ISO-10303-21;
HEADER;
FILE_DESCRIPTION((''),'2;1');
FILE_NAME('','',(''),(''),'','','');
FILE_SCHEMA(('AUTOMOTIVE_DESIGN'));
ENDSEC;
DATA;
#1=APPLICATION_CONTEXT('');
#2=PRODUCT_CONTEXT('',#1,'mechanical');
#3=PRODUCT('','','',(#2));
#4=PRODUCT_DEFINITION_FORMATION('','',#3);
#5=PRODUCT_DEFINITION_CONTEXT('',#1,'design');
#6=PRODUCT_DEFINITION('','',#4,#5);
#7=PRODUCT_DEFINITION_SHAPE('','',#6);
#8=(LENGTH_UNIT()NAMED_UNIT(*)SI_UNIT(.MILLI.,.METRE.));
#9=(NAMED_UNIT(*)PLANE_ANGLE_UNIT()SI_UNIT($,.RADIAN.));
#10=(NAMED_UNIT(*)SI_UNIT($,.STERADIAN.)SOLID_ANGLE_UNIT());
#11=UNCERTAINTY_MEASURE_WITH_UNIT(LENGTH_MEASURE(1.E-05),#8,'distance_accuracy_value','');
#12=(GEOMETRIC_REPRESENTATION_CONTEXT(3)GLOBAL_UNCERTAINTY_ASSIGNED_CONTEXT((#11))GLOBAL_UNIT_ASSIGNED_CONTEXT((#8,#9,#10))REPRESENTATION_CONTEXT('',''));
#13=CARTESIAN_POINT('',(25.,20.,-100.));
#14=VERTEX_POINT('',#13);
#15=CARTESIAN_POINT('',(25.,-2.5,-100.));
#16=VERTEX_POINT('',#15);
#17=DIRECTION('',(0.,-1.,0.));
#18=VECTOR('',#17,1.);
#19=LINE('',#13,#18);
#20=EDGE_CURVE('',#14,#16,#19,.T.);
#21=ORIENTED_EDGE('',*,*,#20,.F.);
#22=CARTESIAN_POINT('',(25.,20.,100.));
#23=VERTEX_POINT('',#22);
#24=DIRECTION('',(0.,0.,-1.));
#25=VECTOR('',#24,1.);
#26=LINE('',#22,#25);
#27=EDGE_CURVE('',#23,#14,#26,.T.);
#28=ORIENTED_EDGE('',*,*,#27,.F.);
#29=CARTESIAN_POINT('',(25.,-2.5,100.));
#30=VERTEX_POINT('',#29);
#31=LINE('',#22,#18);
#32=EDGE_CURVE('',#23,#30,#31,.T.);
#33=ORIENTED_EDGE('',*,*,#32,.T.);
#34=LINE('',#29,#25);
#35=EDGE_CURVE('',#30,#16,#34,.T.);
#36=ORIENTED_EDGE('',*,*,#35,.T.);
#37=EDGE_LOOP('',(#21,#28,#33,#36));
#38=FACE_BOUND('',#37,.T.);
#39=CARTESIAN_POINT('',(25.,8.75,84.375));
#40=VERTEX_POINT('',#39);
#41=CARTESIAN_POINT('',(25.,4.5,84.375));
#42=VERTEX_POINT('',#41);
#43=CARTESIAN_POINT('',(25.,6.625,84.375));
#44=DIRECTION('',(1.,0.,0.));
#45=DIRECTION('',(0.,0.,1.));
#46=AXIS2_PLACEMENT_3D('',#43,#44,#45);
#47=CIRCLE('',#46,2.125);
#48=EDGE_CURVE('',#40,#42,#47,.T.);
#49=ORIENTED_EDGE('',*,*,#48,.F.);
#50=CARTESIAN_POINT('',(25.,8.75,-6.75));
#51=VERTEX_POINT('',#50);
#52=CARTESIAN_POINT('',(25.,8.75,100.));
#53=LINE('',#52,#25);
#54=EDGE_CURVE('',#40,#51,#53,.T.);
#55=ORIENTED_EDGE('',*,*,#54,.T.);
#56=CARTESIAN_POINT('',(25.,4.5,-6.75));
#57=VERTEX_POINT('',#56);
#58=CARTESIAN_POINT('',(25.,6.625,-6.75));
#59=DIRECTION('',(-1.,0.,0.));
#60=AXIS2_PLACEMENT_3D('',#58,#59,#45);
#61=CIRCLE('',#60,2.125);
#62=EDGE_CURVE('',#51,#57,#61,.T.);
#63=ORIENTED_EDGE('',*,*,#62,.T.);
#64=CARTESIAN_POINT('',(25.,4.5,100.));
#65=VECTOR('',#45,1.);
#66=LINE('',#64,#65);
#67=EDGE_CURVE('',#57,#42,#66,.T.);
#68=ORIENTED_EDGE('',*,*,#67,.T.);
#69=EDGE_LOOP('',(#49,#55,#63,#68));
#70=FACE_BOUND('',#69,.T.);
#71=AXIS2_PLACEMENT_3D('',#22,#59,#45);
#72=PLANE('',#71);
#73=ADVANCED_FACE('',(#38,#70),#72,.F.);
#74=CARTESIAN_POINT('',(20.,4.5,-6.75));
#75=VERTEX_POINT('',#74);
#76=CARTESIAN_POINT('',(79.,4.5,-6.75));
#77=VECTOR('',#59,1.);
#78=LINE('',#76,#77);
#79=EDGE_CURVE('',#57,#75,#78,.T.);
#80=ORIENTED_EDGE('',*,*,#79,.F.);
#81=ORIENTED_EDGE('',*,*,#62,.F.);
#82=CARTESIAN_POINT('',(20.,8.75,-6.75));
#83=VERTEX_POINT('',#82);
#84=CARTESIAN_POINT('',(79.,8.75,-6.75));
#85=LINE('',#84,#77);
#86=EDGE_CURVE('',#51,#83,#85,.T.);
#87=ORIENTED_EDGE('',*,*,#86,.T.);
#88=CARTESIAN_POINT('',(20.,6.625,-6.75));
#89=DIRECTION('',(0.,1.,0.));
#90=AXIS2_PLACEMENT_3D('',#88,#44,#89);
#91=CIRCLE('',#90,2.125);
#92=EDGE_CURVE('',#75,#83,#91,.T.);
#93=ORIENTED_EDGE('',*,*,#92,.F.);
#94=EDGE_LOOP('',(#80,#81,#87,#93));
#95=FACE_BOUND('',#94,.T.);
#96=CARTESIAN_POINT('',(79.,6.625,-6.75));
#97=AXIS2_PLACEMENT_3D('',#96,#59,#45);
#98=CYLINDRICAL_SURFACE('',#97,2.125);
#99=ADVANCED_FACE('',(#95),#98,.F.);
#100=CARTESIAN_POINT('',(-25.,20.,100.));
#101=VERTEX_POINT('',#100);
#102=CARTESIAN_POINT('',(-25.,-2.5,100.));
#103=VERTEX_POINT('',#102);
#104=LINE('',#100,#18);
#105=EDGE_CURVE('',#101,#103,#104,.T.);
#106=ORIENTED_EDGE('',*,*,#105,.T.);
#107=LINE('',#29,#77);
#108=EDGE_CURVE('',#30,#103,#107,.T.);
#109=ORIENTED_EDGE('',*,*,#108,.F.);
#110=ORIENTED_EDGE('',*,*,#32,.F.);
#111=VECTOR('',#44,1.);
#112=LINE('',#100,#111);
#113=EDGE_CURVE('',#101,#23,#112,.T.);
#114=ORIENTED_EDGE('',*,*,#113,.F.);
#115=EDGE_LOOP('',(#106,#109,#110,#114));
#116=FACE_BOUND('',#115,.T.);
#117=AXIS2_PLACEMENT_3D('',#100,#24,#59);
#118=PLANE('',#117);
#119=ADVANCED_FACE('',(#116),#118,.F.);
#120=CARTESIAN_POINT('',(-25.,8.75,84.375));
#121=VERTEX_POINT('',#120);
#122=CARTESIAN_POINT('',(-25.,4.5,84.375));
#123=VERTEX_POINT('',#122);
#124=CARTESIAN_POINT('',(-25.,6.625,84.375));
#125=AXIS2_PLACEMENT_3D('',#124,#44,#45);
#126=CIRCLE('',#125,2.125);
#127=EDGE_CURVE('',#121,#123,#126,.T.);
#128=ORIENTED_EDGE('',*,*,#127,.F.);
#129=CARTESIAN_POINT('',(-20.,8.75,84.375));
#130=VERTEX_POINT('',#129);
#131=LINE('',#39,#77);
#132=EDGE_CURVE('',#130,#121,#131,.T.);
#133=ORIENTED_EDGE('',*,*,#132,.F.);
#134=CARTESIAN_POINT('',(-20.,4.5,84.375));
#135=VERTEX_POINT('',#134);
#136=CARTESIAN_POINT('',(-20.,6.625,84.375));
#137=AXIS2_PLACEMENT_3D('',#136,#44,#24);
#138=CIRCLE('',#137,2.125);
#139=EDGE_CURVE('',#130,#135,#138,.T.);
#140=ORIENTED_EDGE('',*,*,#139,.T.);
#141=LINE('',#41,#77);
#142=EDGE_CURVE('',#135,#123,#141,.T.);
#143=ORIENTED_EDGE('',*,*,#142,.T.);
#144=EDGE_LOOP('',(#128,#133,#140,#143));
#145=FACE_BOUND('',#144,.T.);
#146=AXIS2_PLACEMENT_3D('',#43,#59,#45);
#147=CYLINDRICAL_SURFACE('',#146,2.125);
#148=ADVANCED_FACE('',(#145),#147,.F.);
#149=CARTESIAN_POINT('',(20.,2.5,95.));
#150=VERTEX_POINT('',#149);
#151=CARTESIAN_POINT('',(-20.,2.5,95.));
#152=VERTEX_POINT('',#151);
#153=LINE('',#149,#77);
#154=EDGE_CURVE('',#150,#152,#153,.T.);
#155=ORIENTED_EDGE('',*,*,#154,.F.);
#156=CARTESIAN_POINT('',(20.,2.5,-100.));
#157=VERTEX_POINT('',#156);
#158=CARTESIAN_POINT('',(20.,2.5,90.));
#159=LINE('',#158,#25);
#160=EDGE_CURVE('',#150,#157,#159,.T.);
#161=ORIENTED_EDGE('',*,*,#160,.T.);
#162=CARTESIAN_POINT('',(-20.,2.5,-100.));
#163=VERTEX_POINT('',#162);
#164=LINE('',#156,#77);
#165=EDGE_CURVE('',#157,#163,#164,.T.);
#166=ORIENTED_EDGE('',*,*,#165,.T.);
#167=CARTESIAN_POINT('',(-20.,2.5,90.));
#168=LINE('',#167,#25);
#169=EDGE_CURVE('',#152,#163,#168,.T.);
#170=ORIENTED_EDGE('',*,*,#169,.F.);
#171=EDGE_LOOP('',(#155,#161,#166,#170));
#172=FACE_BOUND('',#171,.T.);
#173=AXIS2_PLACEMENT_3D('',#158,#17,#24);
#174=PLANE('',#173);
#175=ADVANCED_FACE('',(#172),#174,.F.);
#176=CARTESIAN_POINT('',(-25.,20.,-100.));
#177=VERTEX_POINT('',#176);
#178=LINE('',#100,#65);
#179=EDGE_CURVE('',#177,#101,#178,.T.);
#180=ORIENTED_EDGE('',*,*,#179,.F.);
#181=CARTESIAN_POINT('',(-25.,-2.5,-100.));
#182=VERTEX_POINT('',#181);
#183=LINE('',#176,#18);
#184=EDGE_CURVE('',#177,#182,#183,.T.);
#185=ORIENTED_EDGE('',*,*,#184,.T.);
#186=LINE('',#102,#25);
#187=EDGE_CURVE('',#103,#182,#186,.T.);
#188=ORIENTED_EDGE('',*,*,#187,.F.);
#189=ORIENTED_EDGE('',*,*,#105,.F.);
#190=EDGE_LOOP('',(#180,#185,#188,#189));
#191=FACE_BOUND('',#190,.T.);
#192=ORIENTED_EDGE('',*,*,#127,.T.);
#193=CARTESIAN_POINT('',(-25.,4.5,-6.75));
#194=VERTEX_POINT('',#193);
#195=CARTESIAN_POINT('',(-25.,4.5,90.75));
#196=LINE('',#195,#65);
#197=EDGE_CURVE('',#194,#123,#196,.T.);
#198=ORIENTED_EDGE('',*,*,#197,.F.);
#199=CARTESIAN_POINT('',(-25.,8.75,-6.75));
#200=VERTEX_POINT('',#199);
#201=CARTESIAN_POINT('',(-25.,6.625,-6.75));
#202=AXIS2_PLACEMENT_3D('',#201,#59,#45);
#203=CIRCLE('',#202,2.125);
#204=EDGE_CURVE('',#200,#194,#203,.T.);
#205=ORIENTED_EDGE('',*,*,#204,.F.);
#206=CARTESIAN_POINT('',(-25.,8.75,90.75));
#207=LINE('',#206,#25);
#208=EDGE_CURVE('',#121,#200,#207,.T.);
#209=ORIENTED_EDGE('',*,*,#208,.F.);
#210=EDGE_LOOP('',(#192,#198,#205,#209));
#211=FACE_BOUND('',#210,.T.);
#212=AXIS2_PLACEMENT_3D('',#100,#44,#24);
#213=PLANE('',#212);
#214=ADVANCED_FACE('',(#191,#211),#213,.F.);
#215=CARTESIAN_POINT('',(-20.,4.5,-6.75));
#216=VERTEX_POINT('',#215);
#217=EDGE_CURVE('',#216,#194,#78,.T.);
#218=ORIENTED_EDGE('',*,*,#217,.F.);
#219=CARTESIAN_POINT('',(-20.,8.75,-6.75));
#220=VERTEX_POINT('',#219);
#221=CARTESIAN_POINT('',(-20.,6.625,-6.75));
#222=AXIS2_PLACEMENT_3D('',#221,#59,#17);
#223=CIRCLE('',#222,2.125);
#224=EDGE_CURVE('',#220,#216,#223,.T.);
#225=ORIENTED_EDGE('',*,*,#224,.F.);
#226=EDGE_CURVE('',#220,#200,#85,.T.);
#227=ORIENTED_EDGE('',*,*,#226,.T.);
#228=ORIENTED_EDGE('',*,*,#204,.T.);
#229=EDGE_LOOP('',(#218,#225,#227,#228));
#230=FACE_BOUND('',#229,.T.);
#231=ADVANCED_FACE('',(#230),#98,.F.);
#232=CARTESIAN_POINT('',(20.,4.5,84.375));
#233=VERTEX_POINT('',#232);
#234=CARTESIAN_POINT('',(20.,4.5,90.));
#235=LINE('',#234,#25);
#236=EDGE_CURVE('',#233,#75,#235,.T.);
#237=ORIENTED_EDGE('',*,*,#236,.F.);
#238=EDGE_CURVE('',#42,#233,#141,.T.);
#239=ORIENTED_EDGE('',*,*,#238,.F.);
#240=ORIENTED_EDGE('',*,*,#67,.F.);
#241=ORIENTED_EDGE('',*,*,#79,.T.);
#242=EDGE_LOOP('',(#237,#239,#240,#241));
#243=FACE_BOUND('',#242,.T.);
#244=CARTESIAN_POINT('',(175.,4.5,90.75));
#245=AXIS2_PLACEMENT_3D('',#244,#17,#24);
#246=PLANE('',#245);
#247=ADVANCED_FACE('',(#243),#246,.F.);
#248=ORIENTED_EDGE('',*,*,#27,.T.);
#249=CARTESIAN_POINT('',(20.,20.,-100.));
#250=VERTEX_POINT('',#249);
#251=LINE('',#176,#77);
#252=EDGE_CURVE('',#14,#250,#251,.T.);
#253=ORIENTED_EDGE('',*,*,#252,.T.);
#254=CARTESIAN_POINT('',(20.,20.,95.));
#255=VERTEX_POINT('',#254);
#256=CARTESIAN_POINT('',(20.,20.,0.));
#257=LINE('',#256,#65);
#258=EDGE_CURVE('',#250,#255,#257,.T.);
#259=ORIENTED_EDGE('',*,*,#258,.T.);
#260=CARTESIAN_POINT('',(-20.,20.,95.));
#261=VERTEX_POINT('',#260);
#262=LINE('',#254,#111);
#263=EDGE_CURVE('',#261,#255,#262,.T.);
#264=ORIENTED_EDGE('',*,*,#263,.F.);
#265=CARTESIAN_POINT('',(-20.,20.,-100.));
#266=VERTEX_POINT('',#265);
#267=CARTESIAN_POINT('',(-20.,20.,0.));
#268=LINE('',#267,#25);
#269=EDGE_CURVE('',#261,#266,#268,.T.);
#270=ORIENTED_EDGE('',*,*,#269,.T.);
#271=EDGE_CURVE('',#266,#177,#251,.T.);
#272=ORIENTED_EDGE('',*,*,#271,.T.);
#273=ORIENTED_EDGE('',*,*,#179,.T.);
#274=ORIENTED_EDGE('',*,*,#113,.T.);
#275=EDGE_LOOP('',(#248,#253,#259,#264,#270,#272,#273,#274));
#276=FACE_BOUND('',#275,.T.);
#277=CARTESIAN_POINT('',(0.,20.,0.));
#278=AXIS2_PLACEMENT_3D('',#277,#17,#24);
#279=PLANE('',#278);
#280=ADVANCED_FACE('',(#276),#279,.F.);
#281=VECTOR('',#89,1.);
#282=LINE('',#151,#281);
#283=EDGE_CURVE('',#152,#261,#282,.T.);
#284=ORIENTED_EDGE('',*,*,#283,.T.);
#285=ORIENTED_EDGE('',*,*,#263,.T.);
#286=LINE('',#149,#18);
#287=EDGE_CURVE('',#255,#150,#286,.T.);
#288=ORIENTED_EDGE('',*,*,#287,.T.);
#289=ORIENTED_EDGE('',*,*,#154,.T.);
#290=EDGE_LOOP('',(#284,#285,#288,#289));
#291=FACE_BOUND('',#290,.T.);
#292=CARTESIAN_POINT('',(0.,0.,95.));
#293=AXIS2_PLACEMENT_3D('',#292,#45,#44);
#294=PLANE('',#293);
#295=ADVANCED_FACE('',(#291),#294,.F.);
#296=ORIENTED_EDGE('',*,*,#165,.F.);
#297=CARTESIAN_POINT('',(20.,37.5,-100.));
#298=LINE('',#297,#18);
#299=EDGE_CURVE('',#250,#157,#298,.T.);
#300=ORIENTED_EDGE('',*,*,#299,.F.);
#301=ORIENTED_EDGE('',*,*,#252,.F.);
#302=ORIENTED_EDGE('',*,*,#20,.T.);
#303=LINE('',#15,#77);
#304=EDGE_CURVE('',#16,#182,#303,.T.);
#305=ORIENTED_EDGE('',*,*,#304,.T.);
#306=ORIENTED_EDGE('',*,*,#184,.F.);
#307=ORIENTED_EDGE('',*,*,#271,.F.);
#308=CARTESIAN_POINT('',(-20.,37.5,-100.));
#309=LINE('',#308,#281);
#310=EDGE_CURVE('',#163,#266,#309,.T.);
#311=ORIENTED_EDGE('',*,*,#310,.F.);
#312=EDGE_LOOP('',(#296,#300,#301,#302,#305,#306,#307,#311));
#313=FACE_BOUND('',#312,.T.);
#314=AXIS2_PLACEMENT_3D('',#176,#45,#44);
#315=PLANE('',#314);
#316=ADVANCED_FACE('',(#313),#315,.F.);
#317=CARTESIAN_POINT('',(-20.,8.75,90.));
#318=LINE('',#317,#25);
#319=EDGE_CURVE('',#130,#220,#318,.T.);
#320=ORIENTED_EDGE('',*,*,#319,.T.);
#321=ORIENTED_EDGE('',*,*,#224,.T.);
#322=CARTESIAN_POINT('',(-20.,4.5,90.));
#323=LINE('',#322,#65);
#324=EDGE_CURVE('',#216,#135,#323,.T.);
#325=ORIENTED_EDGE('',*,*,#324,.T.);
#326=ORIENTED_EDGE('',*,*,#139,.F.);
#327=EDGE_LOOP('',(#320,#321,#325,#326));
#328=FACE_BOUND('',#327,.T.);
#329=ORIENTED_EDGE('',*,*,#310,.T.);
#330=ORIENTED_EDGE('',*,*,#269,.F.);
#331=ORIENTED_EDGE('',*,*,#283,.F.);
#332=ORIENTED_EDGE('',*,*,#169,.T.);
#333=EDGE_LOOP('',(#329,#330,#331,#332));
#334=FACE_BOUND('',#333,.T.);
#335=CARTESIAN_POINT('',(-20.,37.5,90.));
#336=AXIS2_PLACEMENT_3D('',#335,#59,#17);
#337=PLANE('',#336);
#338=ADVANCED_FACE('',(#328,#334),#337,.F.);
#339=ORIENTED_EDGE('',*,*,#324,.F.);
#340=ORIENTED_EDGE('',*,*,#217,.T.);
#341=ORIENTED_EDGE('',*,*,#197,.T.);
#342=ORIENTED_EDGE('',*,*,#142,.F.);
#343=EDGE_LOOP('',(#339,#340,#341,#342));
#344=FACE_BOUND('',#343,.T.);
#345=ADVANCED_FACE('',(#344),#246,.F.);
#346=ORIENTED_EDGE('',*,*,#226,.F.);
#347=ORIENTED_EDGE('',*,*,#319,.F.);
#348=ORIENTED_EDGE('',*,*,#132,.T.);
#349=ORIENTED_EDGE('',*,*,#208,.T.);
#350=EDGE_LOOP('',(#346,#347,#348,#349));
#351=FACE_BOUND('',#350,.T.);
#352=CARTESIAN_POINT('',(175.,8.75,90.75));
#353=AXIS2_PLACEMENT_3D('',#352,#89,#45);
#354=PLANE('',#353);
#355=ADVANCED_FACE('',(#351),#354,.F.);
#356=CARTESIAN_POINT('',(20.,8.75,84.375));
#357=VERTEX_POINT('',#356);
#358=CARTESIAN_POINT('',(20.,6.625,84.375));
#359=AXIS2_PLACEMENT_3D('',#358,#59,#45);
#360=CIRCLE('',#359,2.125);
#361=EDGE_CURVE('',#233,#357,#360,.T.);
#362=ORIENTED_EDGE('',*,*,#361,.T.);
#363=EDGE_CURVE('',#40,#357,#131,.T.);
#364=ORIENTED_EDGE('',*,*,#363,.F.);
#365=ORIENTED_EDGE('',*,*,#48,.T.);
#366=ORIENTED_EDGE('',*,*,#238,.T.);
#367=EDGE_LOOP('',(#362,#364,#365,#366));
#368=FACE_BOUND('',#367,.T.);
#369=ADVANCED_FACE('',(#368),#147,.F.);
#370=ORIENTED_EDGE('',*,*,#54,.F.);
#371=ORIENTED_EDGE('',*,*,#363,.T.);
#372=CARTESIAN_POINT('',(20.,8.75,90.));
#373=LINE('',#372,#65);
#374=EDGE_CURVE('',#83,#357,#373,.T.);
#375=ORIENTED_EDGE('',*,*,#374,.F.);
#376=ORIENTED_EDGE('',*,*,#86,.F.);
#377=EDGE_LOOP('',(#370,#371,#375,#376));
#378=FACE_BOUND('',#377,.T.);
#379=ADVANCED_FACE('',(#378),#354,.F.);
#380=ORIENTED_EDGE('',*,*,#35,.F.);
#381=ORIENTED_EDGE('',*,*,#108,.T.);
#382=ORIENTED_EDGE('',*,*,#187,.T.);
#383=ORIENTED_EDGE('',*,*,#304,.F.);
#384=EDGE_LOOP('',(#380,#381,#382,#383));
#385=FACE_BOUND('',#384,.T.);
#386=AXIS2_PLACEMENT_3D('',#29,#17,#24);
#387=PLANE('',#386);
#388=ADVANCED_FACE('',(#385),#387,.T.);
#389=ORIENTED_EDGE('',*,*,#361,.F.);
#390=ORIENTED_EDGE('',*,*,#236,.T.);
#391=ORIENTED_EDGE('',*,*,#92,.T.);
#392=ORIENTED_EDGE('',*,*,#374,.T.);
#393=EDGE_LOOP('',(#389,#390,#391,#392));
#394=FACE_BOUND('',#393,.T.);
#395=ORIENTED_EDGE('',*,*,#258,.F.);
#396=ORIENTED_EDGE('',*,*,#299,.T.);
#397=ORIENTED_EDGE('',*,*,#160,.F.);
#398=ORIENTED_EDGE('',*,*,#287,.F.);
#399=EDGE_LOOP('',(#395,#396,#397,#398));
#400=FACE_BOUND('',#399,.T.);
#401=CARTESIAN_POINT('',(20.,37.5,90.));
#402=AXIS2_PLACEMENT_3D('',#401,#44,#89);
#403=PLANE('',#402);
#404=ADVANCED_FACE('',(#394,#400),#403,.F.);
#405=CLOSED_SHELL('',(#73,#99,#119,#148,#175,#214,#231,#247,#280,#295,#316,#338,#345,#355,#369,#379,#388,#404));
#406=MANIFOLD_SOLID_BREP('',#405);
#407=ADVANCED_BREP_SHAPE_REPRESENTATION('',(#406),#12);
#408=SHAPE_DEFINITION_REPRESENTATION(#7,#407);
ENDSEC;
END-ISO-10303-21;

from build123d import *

# Parameters (mm, degrees)
SKETCH1_W           = 50
SKETCH1_H           = 200
BOSS_EXTRUDE1_DEPTH = 20
SKETCH2_W           = 40
SKETCH2_H           = 35
CUT_EXTRUDE1_DEPTH  = 190
SKETCH3_W           = 40
SKETCH3_H           = 17.5
CUT_EXTRUDE2_DEPTH  = 5
SKETCH4_W           = 50
SKETCH4_H           = 2.5
BOSS_EXTRUDE2_DEPTH = 200
CUT_EXTRUDE4_DEPTH  = 200
BOSS_EXTRUDE3_DEPTH = 50
SKETCH15_W          = 40
SKETCH15_H          = 4.25
CUT_EXTRUDE5_DEPTH  = 104
CUT_EXTRUDE6_DEPTH  = 104
BOSS_EXTRUDE4_DEPTH = 50
SKETCH19_W          = 40
SKETCH19_H          = 4.25
CUT_EXTRUDE7_DEPTH  = 50


with BuildPart() as part:
    # Sketch1 → Boss-Extrude1 (new body)
    with BuildSketch(Plane(origin=(0, 0, 0), x_dir=(1, 0, 0), z_dir=(0, 1, 0))):
        Rectangle(SKETCH1_W, SKETCH1_H)
    extrude(amount=BOSS_EXTRUDE1_DEPTH)

    # Sketch2 → Cut-Extrude1 (cut)
    with BuildSketch(Plane(origin=(0, 0, -100), x_dir=(-1, 0, 0), z_dir=(0, 0, -1))):
        with Locations((0, 20)):
            Rectangle(SKETCH2_W, SKETCH2_H)
    extrude(amount=-CUT_EXTRUDE1_DEPTH, mode=Mode.SUBTRACT)

    # Sketch3 → Cut-Extrude2 (cut)
    with BuildSketch(Plane(origin=(0, 0, 90), x_dir=(-1, 0, 0), z_dir=(0, 0, -1))):
        with Locations((0, 11.25)):
            Rectangle(SKETCH3_W, SKETCH3_H)
    extrude(amount=-CUT_EXTRUDE2_DEPTH, mode=Mode.SUBTRACT)

    # Sketch4 → Boss-Extrude2 (add)
    with BuildSketch(Plane(origin=(0, 0, -100), x_dir=(-1, 0, 0), z_dir=(0, 0, -1))):
        with Locations((0, -1.25)):
            Rectangle(SKETCH4_W, SKETCH4_H)
    extrude(amount=-BOSS_EXTRUDE2_DEPTH)

    # Sketch6 → Cut-Extrude4 (cut)
    with BuildSketch(Plane.ZY.offset(25)):
        with BuildLine():
            Line((90.75, 4.5), (-95.75, 4.5))
            ThreePointArc((-95.75, 4.5), (-97.875, 6.625), (-95.75, 8.75))
            Line((-95.75, 8.75), (90.75, 8.75))
            ThreePointArc((90.75, 8.75), (92.875, 6.625), (90.75, 4.5))
        make_face()
    extrude(amount=-CUT_EXTRUDE4_DEPTH, mode=Mode.SUBTRACT)

    # Sketch14 → Boss-Extrude3 (add)
    with BuildSketch(Plane.ZY.offset(25)):
        with BuildLine():
            Line((-0.375, 4.5), (-100, 4.5))
            Line((-100, 4.5), (-100, 8.75))
            Line((-100, 8.75), (-0.375, 8.75))
            ThreePointArc((-0.375, 8.75), (-2.5, 6.625), (-0.375, 4.5))
        make_face()
    extrude(amount=-BOSS_EXTRUDE3_DEPTH)

    # Sketch15 → Cut-Extrude5 (cut)
    with BuildSketch(Plane(origin=(0, 0, -100), x_dir=(-1, 0, 0), z_dir=(0, 0, -1))):
        with Locations((0, 6.625)):
            Rectangle(SKETCH15_W, SKETCH15_H)
    extrude(amount=-CUT_EXTRUDE5_DEPTH, mode=Mode.SUBTRACT)

    # Sketch17 → Cut-Extrude6 (cut)
    with BuildSketch(Plane.ZY.offset(25)):
        with BuildLine():
            Line((-0.375, 8.75), (-0.375, 4.5))
            Line((-0.375, 4.5), (-6.75, 4.5))
            ThreePointArc((-6.75, 4.5), (-8.875, 6.625), (-6.75, 8.75))
            Line((-6.75, 8.75), (-0.375, 8.75))
        make_face()
    extrude(amount=-CUT_EXTRUDE6_DEPTH, mode=Mode.SUBTRACT)

    # Sketch18 → Boss-Extrude4 (add)
    with BuildSketch(Plane.ZY.offset(25)):
        with BuildLine():
            Line((84.375, 4.5), (90.75, 4.5))
            ThreePointArc((90.75, 4.5), (92.875, 6.625), (90.75, 8.75))
            Line((90.75, 8.75), (84.375, 8.75))
            ThreePointArc((84.375, 8.75), (86.5, 6.625), (84.375, 4.5))
        make_face()
    extrude(amount=-BOSS_EXTRUDE4_DEPTH)

    # Sketch19 → Cut-Extrude7 (cut)
    with BuildSketch(Plane(origin=(0, 0, 95), x_dir=(-1, 0, 0), z_dir=(0, 0, -1))):
        with Locations((0, 6.625)):
            Rectangle(SKETCH19_W, SKETCH19_H)
    extrude(amount=CUT_EXTRUDE7_DEPTH, mode=Mode.SUBTRACT)


solid = part.part
